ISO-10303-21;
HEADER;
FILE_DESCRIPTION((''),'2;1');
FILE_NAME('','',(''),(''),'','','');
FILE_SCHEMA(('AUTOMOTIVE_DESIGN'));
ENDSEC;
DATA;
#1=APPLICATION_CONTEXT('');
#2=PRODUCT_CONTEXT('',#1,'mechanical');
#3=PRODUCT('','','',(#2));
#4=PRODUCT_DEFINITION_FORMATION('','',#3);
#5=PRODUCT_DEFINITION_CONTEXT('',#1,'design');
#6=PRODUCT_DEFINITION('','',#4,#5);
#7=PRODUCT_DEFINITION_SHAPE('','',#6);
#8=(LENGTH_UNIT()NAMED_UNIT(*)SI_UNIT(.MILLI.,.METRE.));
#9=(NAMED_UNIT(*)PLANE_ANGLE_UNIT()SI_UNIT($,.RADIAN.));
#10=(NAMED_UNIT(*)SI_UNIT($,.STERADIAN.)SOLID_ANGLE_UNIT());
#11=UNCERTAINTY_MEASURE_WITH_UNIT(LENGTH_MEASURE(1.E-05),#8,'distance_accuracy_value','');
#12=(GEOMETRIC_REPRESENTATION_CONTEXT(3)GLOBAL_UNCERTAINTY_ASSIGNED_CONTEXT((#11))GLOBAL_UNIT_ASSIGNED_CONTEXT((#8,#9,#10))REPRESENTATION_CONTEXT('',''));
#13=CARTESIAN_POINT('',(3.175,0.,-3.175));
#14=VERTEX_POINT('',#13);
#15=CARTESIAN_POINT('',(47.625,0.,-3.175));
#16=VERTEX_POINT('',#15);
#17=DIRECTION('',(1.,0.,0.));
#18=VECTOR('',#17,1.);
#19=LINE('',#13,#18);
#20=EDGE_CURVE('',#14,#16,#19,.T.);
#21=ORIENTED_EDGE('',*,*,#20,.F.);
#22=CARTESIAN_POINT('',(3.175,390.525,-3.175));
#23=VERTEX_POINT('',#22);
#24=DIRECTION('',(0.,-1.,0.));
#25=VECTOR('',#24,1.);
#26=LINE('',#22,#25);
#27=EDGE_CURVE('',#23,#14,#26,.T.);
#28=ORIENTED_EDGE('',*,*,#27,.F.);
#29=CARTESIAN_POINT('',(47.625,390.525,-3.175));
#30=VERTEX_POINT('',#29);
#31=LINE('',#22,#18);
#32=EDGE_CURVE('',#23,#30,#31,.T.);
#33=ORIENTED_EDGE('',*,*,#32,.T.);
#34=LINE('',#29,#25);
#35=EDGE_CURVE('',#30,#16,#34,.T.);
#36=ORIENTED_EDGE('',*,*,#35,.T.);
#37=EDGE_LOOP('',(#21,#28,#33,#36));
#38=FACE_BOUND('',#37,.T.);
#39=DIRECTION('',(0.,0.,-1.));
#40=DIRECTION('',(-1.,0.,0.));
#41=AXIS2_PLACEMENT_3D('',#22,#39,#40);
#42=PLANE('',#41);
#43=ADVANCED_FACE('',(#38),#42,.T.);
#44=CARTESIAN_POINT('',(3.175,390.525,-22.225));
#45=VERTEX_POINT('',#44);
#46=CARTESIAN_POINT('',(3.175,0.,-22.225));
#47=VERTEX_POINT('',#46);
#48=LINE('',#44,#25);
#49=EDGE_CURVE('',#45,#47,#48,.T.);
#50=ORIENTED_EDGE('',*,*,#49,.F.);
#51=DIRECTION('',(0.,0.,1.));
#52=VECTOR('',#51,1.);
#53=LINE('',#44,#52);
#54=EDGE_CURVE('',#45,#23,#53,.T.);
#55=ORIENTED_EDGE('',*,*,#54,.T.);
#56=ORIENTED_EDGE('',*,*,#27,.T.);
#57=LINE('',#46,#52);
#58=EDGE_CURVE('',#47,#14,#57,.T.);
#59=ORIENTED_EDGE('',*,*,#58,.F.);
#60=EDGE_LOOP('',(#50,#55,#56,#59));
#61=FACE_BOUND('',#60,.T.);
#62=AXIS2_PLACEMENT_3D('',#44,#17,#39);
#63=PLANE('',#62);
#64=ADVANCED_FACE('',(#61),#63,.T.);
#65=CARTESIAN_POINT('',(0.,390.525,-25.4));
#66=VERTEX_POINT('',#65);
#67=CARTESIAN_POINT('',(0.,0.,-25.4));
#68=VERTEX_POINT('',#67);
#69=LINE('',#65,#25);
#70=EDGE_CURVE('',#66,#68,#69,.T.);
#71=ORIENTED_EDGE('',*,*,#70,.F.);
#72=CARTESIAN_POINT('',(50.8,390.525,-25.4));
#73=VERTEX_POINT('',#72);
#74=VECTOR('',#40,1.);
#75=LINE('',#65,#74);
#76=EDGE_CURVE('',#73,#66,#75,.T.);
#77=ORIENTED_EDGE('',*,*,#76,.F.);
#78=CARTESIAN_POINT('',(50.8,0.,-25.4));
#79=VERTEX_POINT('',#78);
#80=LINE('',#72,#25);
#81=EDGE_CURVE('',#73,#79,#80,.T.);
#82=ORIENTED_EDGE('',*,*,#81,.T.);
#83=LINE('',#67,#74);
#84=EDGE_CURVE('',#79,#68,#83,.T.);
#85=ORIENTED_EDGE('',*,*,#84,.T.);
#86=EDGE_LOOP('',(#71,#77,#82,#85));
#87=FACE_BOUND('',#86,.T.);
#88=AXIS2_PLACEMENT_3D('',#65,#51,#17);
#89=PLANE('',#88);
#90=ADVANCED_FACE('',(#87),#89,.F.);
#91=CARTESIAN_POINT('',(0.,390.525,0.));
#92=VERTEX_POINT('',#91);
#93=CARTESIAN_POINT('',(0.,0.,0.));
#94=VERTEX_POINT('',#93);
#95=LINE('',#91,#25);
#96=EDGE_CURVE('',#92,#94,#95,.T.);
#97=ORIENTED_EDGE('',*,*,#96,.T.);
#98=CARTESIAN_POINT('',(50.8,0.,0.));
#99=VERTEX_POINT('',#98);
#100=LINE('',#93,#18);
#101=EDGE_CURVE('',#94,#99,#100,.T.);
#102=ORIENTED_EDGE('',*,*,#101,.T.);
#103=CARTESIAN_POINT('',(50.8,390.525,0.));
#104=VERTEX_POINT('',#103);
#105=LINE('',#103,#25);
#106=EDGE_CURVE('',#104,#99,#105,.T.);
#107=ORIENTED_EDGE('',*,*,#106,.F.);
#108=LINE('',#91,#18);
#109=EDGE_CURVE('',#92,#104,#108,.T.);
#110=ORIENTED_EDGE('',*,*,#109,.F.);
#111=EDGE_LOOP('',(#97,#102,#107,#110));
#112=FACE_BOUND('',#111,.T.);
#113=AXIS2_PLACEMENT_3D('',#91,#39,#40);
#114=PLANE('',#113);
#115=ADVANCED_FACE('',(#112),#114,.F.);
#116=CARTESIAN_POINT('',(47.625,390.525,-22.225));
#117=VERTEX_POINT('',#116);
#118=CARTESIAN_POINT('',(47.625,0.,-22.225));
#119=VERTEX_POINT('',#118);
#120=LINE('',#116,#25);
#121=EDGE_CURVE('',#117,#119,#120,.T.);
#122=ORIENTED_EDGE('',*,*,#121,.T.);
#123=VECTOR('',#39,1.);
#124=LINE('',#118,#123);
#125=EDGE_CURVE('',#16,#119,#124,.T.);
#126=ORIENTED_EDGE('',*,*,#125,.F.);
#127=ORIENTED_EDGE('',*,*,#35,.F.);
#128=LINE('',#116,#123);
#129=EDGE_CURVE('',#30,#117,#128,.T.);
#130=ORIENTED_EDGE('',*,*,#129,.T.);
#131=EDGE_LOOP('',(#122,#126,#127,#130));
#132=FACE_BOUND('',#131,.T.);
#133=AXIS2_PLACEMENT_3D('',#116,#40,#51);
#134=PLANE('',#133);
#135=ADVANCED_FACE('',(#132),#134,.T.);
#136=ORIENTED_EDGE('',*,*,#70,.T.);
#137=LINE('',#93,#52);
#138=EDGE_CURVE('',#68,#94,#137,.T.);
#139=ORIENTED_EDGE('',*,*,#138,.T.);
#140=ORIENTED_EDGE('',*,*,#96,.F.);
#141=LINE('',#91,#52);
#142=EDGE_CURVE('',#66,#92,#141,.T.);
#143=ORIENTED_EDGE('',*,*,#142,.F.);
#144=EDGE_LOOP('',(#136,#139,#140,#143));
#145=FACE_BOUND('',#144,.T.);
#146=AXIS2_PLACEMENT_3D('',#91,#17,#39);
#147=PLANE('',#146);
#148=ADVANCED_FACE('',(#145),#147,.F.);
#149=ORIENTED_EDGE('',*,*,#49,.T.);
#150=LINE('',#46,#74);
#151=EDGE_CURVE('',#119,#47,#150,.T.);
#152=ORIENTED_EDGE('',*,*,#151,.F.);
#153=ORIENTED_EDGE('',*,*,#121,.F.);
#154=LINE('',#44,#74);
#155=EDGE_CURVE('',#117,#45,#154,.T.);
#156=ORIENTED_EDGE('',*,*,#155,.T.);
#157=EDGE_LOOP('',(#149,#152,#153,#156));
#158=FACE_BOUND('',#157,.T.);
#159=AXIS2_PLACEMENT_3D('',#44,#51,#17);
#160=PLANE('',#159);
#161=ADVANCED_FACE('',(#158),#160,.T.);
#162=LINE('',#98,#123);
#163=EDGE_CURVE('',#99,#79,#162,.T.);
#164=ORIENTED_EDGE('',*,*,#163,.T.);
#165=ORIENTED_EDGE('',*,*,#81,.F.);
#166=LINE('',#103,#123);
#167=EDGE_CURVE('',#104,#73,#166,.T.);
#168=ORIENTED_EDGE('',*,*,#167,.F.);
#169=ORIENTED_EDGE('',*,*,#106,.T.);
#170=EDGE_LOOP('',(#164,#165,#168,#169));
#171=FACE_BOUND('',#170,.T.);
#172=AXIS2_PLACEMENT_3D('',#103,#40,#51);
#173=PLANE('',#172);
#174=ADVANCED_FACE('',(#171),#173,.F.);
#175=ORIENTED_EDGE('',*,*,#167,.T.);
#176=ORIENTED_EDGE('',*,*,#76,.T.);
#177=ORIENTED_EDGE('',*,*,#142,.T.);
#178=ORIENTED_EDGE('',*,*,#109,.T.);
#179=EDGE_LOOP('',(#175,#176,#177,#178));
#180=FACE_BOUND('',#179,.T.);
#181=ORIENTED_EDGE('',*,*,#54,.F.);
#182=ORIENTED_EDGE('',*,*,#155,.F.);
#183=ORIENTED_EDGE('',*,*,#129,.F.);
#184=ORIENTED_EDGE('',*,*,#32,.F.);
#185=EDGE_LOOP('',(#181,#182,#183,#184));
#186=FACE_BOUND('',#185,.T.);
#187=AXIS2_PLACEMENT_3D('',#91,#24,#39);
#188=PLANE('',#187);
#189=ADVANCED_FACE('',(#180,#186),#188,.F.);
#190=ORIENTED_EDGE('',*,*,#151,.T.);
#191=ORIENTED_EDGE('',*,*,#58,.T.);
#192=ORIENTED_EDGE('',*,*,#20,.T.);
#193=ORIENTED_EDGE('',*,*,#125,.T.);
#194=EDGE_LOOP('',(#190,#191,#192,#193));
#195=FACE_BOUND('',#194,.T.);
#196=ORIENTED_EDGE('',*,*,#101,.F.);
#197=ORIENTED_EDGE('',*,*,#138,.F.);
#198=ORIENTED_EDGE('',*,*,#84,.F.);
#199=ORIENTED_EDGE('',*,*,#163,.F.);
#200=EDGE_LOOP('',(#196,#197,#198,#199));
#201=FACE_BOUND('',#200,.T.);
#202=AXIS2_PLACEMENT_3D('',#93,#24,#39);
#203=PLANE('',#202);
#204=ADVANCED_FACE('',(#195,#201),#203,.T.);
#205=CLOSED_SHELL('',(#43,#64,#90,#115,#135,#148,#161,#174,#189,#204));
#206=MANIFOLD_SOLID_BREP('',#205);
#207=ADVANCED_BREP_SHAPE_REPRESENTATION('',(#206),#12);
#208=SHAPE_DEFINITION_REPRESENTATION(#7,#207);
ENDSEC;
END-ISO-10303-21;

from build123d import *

# Parameters (mm, degrees)
SKETCH1_W           = 50.8
SKETCH1_H           = 25.4
SKETCH1_W_2         = 44.45
SKETCH1_H_2         = 19.05
BOSS_EXTRUDE1_DEPTH = 390.525


with BuildPart() as part:
    # Sketch1 → Boss-Extrude1 (new body)
    with BuildSketch(Plane(origin=(0, 0, 0), x_dir=(1, 0, 0), z_dir=(0, 1, 0))):
        with Locations((25.4, 12.7)):
            Rectangle(SKETCH1_W, SKETCH1_H)
        with Locations((25.4, 12.7)):
            Rectangle(SKETCH1_W_2, SKETCH1_H_2, mode=Mode.SUBTRACT)
    extrude(amount=BOSS_EXTRUDE1_DEPTH)


solid = part.part
